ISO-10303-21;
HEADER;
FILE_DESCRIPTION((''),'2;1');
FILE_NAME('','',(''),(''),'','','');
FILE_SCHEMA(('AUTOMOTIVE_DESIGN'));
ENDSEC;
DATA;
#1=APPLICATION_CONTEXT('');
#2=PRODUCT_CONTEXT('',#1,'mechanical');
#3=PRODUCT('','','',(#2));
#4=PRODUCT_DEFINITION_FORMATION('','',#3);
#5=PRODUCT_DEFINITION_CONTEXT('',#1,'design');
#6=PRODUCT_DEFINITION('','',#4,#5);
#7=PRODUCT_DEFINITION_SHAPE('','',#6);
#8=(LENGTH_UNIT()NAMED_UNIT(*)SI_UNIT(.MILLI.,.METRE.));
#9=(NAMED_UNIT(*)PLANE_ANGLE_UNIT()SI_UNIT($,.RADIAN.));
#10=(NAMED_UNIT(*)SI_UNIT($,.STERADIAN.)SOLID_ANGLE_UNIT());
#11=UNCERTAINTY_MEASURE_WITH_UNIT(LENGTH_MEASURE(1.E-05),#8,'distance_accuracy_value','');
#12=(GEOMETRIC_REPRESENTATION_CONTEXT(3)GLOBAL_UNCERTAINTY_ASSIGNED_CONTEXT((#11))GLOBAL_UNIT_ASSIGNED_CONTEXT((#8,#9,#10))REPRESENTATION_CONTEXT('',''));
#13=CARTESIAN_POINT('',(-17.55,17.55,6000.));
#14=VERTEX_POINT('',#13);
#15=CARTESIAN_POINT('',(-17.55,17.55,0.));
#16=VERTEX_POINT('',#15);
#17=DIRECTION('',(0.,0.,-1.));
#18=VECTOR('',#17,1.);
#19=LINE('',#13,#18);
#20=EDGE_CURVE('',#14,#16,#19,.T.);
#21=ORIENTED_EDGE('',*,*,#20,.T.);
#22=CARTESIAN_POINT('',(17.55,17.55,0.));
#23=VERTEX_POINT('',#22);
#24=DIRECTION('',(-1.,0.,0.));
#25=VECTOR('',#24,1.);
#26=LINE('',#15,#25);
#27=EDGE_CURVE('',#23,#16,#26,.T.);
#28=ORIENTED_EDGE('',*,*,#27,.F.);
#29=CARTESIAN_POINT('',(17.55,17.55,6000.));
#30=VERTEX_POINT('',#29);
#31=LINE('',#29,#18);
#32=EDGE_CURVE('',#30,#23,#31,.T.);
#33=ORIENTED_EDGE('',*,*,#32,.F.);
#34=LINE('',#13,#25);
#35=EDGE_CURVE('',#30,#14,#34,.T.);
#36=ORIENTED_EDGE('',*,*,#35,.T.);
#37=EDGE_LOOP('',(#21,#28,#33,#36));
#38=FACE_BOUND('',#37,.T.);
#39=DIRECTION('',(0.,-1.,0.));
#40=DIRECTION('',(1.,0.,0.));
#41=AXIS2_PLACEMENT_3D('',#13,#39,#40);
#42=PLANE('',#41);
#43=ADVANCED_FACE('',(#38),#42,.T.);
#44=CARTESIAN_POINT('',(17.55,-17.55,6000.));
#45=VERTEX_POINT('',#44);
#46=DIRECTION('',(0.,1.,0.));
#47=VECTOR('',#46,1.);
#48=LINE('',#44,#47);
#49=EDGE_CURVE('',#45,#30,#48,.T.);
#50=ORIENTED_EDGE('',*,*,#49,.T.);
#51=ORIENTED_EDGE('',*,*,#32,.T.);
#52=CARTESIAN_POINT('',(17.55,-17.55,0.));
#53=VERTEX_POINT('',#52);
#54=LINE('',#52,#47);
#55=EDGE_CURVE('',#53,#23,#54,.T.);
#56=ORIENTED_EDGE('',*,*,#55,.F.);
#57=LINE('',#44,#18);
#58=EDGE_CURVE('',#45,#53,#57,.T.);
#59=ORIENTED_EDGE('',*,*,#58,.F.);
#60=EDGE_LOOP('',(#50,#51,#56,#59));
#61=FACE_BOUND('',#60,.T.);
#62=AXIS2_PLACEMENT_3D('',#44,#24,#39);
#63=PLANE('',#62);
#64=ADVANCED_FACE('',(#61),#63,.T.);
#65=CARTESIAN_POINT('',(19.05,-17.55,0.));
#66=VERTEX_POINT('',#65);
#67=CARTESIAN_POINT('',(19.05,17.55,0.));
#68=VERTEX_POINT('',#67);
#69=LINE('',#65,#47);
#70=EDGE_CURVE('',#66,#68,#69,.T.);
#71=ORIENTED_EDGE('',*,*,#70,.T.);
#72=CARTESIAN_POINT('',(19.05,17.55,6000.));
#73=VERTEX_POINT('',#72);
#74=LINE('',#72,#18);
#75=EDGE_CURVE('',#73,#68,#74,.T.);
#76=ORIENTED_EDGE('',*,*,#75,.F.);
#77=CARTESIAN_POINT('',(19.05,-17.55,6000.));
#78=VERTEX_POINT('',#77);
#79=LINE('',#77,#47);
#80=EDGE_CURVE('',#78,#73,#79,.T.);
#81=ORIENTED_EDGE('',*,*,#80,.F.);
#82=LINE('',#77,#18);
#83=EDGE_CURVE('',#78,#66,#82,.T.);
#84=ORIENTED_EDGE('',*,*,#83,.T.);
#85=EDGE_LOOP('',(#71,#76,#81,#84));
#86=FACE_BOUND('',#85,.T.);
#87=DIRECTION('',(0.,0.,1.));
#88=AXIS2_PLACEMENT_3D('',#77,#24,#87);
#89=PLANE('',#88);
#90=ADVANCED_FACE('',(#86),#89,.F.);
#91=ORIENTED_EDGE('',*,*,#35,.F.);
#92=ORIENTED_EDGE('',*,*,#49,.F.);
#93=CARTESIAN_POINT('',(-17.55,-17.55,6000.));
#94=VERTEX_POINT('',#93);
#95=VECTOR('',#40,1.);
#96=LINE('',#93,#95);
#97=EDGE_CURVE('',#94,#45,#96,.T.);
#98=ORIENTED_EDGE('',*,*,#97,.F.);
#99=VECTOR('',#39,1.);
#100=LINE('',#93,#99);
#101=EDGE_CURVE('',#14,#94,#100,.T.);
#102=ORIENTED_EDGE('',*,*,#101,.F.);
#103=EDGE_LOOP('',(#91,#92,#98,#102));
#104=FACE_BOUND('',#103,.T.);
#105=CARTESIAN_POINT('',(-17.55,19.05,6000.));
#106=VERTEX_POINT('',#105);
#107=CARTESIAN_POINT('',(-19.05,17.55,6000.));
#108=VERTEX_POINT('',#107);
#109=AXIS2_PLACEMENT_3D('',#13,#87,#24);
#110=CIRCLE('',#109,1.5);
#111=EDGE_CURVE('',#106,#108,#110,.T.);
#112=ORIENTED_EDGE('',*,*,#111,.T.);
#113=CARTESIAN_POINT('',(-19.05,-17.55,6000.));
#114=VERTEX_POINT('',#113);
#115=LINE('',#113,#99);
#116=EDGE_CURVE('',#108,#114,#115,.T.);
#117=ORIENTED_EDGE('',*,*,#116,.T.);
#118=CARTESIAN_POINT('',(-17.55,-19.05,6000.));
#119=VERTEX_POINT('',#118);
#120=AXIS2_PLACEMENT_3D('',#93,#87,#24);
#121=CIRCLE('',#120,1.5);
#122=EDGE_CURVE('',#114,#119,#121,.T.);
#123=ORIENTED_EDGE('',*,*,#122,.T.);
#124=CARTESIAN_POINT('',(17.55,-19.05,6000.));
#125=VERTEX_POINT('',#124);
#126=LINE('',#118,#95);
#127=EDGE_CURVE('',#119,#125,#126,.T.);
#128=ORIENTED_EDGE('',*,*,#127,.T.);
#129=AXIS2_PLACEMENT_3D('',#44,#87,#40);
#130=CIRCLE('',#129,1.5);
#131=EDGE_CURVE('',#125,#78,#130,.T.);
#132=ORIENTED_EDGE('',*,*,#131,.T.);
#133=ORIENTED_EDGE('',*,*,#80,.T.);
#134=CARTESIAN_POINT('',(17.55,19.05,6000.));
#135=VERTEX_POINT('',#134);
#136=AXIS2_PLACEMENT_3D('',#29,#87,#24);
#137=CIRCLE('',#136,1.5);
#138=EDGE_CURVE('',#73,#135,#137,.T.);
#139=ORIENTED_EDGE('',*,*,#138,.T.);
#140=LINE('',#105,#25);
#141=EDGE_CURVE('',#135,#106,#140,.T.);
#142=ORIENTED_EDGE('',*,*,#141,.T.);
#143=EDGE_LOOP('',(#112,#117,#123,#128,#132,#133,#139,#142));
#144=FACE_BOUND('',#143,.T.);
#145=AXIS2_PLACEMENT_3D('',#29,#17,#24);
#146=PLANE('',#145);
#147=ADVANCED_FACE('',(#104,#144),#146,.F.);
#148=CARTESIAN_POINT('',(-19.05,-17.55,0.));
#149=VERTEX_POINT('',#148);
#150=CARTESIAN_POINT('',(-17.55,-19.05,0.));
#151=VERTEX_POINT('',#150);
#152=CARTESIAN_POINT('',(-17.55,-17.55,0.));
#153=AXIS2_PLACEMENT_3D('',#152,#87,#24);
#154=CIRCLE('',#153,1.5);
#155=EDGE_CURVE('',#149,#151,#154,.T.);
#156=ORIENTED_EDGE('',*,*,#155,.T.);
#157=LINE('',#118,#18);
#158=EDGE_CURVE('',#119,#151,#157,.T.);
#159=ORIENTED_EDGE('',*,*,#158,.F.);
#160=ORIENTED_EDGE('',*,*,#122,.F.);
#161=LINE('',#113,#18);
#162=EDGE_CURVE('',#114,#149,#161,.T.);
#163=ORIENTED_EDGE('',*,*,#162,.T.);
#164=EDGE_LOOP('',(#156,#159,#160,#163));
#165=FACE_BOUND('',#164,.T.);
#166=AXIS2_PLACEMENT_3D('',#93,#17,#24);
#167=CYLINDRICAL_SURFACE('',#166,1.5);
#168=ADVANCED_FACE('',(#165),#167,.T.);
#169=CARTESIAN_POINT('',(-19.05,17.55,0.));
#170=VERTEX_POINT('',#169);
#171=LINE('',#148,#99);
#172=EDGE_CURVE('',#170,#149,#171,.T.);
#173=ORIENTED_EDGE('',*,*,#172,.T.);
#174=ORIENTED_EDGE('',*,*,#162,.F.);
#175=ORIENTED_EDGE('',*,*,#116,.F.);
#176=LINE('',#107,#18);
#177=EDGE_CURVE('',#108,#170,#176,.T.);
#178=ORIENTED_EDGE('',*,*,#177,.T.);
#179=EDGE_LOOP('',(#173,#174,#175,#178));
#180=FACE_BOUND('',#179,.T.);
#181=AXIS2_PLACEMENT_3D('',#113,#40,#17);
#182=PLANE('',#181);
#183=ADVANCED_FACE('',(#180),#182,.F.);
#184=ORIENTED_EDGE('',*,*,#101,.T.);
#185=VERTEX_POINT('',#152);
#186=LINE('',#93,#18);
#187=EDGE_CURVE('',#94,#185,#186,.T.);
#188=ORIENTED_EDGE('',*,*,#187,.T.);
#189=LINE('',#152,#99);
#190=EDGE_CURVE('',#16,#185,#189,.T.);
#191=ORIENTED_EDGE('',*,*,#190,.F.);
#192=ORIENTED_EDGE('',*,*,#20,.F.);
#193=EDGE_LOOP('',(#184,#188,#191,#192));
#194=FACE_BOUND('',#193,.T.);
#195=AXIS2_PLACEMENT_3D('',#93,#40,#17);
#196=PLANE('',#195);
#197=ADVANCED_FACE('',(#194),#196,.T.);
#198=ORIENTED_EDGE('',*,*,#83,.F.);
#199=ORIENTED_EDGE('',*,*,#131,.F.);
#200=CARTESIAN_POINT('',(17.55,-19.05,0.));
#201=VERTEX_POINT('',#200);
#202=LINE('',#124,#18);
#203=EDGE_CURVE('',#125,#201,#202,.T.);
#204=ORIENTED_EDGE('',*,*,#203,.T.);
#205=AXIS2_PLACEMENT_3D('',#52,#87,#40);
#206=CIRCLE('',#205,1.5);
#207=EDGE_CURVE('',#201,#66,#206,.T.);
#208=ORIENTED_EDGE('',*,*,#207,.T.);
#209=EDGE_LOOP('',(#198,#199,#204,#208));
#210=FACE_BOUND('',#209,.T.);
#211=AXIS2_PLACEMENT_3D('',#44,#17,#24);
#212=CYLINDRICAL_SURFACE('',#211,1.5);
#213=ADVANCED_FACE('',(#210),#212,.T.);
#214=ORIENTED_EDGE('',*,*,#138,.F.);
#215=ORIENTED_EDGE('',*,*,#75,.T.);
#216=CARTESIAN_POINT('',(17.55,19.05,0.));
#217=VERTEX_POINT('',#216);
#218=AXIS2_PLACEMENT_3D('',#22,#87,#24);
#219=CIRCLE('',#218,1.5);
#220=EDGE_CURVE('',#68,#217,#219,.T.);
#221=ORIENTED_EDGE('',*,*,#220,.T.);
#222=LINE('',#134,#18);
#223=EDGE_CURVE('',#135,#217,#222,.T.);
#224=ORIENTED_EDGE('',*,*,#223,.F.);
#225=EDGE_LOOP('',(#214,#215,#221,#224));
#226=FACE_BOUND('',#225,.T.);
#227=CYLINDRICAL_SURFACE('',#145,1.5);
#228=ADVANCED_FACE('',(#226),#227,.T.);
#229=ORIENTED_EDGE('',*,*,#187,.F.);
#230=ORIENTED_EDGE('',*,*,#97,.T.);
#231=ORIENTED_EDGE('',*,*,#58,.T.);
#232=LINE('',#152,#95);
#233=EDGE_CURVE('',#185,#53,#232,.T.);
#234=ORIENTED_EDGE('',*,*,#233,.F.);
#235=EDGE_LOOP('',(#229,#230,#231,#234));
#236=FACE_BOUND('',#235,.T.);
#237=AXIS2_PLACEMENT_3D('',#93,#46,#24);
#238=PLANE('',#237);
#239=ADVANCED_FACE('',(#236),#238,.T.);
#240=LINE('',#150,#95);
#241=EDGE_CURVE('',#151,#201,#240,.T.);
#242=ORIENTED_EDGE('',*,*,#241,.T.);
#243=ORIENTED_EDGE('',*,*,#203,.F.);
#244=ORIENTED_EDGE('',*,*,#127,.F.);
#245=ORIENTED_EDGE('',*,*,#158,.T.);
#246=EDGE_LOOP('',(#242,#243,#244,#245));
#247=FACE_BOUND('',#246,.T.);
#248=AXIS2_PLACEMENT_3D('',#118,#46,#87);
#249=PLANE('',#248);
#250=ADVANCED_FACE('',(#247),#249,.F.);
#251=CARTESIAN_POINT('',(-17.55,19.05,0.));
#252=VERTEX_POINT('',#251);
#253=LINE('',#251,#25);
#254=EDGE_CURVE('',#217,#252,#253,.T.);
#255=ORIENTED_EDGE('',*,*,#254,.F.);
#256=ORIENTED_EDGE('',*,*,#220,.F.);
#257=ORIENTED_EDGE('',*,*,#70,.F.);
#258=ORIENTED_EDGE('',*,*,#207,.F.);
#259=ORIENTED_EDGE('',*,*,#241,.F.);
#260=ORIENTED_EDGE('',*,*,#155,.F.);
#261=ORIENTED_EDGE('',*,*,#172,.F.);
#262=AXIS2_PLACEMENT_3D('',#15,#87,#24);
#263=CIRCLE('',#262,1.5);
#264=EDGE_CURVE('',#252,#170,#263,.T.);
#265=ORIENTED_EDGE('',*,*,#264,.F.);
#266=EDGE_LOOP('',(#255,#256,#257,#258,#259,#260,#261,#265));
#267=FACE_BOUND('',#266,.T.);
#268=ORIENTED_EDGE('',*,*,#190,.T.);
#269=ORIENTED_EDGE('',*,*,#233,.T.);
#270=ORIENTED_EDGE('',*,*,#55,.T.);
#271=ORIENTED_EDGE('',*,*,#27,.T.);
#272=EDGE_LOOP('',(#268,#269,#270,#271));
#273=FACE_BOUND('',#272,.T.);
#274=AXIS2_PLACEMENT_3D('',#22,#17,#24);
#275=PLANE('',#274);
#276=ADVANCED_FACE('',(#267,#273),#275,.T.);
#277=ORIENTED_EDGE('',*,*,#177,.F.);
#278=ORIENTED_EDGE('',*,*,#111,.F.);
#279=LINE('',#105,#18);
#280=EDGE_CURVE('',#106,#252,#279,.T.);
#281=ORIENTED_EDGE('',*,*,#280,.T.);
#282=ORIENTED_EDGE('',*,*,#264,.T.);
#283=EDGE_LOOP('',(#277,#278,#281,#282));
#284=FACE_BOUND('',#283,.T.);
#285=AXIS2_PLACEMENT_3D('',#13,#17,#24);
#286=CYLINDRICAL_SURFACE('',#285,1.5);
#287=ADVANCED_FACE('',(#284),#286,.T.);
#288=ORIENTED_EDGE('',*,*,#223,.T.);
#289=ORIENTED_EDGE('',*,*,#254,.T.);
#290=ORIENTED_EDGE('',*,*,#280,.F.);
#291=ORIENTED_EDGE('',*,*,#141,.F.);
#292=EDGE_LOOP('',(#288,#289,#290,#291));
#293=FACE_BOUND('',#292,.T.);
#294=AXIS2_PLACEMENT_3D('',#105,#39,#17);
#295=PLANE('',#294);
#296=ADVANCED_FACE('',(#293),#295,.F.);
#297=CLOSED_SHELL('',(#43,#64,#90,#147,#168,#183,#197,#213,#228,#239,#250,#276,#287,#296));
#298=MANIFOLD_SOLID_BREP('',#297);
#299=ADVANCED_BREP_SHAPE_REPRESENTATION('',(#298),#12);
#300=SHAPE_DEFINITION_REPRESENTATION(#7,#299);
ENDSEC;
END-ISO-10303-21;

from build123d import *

# Parameters (mm, degrees)
CROQUIS1_W              = 35.1
CROQUIS1_H              = 35.1
SALIENTE_EXTRUIR1_DEPTH = 6000


with BuildPart() as part:
    # Croquis1 → Saliente-Extruir1 (new body)
    with BuildSketch(Plane.XY):
        with BuildLine():
            Line((-17.55, -19.05), (17.55, -19.05))
            ThreePointArc((17.55, -19.05), (18.610660172, -18.610660172), (19.05, -17.55))
            Line((19.05, -17.55), (19.05, 17.55))
            ThreePointArc((19.05, 17.55), (18.610660172, 18.610660172), (17.55, 19.05))
            Line((17.55, 19.05), (-17.55, 19.05))
            ThreePointArc((-17.55, 19.05), (-18.610660172, 18.610660172), (-19.05, 17.55))
            Line((-19.05, 17.55), (-19.05, -17.55))
            ThreePointArc((-19.05, -17.55), (-18.610660172, -18.610660172), (-17.55, -19.05))
        make_face()
        Rectangle(CROQUIS1_W, CROQUIS1_H, mode=Mode.SUBTRACT)
    extrude(amount=SALIENTE_EXTRUIR1_DEPTH)


solid = part.part
